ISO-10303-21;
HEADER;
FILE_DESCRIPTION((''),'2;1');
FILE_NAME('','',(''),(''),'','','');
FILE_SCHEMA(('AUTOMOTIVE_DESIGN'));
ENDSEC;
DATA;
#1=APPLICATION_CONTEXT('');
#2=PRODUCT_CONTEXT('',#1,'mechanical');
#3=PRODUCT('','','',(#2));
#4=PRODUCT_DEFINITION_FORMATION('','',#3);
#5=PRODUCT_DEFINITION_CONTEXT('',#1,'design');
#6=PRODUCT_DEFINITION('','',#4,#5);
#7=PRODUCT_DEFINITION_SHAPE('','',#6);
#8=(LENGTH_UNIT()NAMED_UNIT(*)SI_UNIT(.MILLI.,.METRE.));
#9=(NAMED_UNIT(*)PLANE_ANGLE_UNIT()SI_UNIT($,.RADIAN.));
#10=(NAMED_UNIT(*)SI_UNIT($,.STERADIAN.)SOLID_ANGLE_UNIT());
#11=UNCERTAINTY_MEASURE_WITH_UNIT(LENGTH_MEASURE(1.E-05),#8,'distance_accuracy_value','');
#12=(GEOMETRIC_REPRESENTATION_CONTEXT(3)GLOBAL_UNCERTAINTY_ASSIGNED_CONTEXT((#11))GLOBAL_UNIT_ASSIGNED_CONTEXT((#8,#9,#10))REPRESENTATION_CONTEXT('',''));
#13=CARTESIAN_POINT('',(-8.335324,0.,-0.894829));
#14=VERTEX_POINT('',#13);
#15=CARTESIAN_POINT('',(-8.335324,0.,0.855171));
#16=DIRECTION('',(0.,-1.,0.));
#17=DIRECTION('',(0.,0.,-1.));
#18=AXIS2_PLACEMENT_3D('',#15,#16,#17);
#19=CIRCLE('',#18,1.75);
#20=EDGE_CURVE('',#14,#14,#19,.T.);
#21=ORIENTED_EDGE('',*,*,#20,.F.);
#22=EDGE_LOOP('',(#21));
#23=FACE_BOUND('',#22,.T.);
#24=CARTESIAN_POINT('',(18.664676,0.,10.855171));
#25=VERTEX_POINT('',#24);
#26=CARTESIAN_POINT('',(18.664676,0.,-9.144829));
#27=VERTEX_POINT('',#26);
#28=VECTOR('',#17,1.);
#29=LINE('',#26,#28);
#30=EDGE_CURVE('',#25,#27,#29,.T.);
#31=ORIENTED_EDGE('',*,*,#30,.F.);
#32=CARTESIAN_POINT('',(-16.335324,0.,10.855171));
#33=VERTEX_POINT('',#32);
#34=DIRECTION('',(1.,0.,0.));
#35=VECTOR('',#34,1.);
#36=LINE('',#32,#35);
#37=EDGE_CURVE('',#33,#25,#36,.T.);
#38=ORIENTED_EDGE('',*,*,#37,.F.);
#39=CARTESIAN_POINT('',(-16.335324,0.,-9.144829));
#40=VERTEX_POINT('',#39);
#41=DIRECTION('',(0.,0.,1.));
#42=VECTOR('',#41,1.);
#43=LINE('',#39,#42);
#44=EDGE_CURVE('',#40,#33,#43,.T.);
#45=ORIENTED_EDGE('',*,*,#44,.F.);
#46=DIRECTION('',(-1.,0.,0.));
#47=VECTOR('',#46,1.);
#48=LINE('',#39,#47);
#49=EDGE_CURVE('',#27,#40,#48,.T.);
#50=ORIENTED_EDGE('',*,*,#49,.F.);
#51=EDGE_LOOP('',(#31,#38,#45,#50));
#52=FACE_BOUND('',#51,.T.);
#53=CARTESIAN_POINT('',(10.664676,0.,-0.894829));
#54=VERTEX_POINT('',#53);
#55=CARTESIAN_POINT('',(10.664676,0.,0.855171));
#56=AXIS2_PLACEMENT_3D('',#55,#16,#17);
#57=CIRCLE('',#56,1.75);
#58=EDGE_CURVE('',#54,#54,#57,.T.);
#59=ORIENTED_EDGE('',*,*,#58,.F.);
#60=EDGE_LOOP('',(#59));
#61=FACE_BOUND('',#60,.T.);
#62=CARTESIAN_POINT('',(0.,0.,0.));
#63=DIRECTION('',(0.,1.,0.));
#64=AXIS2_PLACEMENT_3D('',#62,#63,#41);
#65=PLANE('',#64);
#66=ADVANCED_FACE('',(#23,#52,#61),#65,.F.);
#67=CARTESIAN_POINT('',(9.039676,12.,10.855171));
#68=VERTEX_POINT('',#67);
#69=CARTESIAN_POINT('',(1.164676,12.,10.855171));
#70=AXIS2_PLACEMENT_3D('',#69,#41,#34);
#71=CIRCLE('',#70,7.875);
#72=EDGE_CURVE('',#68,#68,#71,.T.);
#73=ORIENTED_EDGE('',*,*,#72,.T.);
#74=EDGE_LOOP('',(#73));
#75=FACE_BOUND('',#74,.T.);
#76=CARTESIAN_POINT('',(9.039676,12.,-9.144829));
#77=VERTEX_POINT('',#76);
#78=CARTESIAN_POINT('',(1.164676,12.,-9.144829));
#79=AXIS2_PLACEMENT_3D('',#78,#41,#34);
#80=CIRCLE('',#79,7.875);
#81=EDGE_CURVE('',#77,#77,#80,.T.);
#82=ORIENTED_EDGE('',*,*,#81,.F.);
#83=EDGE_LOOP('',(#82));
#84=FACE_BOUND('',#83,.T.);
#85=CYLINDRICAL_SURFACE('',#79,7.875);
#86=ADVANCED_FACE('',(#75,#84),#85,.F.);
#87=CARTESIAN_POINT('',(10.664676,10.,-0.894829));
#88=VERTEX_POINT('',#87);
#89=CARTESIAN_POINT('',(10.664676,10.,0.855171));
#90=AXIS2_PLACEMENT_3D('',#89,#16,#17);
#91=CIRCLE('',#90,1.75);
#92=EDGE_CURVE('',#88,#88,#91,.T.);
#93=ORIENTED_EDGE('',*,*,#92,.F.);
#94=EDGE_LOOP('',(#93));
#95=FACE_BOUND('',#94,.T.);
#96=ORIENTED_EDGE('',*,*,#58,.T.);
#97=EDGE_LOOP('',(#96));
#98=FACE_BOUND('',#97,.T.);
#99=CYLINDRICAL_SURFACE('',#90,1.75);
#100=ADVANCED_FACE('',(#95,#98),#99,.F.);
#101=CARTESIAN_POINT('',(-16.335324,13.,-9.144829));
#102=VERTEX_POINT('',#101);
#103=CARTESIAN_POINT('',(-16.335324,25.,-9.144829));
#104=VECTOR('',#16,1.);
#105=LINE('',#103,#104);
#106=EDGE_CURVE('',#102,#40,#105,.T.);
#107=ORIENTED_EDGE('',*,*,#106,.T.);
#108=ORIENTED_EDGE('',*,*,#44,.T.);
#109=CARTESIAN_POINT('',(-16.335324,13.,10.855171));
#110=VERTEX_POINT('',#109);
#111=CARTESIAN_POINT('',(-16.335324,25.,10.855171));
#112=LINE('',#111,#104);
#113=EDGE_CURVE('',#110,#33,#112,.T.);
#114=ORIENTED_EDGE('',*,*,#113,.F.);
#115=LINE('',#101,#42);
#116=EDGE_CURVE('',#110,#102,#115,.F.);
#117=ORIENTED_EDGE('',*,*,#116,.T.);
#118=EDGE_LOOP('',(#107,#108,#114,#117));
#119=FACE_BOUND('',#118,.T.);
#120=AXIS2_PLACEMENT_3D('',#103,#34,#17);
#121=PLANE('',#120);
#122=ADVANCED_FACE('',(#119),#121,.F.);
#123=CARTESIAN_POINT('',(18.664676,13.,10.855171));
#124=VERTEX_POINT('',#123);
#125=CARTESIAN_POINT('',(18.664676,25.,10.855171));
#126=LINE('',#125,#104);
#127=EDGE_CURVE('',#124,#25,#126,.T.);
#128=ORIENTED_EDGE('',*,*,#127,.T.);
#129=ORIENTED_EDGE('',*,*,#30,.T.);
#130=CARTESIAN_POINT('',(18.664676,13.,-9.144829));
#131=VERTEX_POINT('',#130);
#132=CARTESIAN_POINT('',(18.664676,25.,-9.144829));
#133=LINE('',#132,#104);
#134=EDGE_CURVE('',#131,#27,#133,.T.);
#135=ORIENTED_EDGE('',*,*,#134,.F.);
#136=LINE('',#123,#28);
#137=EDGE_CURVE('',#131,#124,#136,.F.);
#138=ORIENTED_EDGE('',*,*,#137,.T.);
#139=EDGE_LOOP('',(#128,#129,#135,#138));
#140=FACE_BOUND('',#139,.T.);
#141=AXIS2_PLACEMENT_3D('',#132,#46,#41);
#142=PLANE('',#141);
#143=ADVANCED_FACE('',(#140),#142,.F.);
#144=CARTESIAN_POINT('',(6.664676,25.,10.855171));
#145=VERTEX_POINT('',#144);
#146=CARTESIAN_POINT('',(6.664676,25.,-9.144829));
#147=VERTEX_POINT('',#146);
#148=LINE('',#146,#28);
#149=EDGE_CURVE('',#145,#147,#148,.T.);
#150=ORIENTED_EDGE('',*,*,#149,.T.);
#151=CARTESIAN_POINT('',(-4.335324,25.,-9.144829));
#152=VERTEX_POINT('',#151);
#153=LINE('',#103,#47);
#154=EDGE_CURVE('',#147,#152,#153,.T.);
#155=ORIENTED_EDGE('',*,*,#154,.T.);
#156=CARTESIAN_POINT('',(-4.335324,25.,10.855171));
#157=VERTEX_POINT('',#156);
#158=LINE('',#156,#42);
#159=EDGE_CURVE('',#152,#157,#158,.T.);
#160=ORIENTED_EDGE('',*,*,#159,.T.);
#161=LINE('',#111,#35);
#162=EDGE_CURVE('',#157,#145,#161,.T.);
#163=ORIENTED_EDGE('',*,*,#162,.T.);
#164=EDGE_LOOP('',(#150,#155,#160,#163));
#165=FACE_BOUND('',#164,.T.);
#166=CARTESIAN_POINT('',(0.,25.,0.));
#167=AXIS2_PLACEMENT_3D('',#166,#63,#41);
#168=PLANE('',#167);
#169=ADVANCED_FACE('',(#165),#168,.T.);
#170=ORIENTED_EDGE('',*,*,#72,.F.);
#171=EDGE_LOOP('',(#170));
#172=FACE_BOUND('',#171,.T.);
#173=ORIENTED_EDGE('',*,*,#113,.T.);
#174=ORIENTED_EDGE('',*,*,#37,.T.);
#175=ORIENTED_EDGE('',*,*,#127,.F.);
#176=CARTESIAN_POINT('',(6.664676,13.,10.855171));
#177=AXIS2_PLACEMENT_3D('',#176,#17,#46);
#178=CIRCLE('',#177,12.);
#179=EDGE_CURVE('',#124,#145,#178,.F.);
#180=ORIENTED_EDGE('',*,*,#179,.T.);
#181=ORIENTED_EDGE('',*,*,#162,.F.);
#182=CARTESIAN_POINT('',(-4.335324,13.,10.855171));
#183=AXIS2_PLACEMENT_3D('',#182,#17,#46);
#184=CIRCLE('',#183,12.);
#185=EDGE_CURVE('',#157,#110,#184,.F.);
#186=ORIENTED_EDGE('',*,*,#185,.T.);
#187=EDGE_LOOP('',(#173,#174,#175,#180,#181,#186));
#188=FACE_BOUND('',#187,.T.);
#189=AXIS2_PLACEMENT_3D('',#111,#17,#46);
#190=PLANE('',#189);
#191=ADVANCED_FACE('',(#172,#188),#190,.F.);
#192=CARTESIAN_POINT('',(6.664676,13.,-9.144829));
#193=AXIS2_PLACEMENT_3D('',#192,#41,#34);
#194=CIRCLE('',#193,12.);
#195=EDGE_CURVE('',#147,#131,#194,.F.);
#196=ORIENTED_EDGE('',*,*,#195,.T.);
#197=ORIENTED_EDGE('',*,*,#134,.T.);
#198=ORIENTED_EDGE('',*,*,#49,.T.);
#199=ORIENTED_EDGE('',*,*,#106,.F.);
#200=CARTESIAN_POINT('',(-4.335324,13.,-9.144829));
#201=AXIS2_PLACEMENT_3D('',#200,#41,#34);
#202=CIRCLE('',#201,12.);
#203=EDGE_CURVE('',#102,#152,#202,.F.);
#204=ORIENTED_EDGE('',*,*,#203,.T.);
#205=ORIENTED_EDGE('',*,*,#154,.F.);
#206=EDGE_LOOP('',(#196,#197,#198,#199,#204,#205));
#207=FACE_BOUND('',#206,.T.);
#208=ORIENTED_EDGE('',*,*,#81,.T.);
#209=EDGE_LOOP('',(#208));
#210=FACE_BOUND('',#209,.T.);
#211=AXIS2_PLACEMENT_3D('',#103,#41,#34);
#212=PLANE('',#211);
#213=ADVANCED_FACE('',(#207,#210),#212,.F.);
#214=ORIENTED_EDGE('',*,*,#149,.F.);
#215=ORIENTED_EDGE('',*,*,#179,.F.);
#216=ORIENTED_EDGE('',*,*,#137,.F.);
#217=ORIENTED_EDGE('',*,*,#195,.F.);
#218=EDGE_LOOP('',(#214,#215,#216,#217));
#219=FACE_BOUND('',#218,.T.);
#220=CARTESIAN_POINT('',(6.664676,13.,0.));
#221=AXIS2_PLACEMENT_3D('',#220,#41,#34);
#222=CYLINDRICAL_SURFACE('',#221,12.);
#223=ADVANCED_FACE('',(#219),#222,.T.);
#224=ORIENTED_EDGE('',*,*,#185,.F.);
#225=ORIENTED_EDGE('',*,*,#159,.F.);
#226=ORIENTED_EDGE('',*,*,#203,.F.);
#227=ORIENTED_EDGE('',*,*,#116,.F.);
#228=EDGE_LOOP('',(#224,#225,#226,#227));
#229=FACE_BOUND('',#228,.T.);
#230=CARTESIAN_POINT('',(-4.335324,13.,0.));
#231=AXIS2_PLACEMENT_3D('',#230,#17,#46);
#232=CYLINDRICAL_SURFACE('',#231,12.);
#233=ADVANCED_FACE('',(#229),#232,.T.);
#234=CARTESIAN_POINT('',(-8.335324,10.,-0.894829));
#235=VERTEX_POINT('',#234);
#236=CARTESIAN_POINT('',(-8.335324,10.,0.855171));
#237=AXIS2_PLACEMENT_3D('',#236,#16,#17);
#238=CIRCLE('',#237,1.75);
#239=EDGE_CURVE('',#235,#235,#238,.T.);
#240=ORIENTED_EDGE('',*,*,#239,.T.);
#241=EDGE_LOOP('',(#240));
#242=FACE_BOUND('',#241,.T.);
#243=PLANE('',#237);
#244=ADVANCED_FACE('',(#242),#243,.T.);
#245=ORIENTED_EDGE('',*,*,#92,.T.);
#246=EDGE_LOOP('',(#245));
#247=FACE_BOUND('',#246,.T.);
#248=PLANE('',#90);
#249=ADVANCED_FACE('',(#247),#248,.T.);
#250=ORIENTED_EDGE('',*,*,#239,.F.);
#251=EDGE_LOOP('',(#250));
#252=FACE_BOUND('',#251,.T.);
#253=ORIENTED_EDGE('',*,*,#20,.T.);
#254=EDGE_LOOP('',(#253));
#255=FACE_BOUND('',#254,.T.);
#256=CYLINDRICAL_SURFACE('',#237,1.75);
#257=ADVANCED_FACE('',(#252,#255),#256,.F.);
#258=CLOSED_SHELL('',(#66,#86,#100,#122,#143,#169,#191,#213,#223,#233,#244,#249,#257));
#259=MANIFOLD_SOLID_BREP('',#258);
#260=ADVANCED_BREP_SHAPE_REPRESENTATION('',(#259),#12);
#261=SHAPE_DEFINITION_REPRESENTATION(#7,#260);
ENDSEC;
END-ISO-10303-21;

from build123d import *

# Parameters (mm, degrees)
SKETCH1_W           = 35
SKETCH1_H           = 20
BOSS_EXTRUDE1_DEPTH = 25
SKETCH2_R           = 7.875
CUT_EXTRUDE1_DEPTH  = 21
SKETCH3_R           = 1.75
CUT_EXTRUDE2_DEPTH  = 10
FILLET1_R           = 12


with BuildPart() as part:
    # Sketch1 → Boss-Extrude1 (new body)
    with BuildSketch(Plane(origin=(0, 0, 0), x_dir=(1, 0, 0), z_dir=(0, 1, 0))):
        with Locations((1.164675851, -0.855170824)):
            Rectangle(SKETCH1_W, SKETCH1_H)
    extrude(amount=BOSS_EXTRUDE1_DEPTH)

    # Sketch2 → Cut-Extrude1 (cut, through all)
    with BuildSketch(Plane.XY.offset(10.855170824)):
        with Locations((1.164675851, 12)):
            Circle(SKETCH2_R)
    extrude(amount=-CUT_EXTRUDE1_DEPTH, mode=Mode.SUBTRACT)

    # Sketch3 → Cut-Extrude2 (cut)
    with BuildSketch(Plane.XZ):
        with Locations((-8.335324149, 0.855170824)):
            Circle(SKETCH3_R)
        with Locations((10.664675851, 0.855170824)):
            Circle(SKETCH3_R)
    extrude(amount=-CUT_EXTRUDE2_DEPTH, mode=Mode.SUBTRACT)

    # Fillet1
    fillet1_edges = [part.edges().sort_by_distance(p)[0] for p in [
        (18.664675851, 25, 0.855170824),
        (-16.335324149, 25, 0.855170824),
    ]]
    fillet(fillet1_edges, radius=FILLET1_R)


solid = part.part
